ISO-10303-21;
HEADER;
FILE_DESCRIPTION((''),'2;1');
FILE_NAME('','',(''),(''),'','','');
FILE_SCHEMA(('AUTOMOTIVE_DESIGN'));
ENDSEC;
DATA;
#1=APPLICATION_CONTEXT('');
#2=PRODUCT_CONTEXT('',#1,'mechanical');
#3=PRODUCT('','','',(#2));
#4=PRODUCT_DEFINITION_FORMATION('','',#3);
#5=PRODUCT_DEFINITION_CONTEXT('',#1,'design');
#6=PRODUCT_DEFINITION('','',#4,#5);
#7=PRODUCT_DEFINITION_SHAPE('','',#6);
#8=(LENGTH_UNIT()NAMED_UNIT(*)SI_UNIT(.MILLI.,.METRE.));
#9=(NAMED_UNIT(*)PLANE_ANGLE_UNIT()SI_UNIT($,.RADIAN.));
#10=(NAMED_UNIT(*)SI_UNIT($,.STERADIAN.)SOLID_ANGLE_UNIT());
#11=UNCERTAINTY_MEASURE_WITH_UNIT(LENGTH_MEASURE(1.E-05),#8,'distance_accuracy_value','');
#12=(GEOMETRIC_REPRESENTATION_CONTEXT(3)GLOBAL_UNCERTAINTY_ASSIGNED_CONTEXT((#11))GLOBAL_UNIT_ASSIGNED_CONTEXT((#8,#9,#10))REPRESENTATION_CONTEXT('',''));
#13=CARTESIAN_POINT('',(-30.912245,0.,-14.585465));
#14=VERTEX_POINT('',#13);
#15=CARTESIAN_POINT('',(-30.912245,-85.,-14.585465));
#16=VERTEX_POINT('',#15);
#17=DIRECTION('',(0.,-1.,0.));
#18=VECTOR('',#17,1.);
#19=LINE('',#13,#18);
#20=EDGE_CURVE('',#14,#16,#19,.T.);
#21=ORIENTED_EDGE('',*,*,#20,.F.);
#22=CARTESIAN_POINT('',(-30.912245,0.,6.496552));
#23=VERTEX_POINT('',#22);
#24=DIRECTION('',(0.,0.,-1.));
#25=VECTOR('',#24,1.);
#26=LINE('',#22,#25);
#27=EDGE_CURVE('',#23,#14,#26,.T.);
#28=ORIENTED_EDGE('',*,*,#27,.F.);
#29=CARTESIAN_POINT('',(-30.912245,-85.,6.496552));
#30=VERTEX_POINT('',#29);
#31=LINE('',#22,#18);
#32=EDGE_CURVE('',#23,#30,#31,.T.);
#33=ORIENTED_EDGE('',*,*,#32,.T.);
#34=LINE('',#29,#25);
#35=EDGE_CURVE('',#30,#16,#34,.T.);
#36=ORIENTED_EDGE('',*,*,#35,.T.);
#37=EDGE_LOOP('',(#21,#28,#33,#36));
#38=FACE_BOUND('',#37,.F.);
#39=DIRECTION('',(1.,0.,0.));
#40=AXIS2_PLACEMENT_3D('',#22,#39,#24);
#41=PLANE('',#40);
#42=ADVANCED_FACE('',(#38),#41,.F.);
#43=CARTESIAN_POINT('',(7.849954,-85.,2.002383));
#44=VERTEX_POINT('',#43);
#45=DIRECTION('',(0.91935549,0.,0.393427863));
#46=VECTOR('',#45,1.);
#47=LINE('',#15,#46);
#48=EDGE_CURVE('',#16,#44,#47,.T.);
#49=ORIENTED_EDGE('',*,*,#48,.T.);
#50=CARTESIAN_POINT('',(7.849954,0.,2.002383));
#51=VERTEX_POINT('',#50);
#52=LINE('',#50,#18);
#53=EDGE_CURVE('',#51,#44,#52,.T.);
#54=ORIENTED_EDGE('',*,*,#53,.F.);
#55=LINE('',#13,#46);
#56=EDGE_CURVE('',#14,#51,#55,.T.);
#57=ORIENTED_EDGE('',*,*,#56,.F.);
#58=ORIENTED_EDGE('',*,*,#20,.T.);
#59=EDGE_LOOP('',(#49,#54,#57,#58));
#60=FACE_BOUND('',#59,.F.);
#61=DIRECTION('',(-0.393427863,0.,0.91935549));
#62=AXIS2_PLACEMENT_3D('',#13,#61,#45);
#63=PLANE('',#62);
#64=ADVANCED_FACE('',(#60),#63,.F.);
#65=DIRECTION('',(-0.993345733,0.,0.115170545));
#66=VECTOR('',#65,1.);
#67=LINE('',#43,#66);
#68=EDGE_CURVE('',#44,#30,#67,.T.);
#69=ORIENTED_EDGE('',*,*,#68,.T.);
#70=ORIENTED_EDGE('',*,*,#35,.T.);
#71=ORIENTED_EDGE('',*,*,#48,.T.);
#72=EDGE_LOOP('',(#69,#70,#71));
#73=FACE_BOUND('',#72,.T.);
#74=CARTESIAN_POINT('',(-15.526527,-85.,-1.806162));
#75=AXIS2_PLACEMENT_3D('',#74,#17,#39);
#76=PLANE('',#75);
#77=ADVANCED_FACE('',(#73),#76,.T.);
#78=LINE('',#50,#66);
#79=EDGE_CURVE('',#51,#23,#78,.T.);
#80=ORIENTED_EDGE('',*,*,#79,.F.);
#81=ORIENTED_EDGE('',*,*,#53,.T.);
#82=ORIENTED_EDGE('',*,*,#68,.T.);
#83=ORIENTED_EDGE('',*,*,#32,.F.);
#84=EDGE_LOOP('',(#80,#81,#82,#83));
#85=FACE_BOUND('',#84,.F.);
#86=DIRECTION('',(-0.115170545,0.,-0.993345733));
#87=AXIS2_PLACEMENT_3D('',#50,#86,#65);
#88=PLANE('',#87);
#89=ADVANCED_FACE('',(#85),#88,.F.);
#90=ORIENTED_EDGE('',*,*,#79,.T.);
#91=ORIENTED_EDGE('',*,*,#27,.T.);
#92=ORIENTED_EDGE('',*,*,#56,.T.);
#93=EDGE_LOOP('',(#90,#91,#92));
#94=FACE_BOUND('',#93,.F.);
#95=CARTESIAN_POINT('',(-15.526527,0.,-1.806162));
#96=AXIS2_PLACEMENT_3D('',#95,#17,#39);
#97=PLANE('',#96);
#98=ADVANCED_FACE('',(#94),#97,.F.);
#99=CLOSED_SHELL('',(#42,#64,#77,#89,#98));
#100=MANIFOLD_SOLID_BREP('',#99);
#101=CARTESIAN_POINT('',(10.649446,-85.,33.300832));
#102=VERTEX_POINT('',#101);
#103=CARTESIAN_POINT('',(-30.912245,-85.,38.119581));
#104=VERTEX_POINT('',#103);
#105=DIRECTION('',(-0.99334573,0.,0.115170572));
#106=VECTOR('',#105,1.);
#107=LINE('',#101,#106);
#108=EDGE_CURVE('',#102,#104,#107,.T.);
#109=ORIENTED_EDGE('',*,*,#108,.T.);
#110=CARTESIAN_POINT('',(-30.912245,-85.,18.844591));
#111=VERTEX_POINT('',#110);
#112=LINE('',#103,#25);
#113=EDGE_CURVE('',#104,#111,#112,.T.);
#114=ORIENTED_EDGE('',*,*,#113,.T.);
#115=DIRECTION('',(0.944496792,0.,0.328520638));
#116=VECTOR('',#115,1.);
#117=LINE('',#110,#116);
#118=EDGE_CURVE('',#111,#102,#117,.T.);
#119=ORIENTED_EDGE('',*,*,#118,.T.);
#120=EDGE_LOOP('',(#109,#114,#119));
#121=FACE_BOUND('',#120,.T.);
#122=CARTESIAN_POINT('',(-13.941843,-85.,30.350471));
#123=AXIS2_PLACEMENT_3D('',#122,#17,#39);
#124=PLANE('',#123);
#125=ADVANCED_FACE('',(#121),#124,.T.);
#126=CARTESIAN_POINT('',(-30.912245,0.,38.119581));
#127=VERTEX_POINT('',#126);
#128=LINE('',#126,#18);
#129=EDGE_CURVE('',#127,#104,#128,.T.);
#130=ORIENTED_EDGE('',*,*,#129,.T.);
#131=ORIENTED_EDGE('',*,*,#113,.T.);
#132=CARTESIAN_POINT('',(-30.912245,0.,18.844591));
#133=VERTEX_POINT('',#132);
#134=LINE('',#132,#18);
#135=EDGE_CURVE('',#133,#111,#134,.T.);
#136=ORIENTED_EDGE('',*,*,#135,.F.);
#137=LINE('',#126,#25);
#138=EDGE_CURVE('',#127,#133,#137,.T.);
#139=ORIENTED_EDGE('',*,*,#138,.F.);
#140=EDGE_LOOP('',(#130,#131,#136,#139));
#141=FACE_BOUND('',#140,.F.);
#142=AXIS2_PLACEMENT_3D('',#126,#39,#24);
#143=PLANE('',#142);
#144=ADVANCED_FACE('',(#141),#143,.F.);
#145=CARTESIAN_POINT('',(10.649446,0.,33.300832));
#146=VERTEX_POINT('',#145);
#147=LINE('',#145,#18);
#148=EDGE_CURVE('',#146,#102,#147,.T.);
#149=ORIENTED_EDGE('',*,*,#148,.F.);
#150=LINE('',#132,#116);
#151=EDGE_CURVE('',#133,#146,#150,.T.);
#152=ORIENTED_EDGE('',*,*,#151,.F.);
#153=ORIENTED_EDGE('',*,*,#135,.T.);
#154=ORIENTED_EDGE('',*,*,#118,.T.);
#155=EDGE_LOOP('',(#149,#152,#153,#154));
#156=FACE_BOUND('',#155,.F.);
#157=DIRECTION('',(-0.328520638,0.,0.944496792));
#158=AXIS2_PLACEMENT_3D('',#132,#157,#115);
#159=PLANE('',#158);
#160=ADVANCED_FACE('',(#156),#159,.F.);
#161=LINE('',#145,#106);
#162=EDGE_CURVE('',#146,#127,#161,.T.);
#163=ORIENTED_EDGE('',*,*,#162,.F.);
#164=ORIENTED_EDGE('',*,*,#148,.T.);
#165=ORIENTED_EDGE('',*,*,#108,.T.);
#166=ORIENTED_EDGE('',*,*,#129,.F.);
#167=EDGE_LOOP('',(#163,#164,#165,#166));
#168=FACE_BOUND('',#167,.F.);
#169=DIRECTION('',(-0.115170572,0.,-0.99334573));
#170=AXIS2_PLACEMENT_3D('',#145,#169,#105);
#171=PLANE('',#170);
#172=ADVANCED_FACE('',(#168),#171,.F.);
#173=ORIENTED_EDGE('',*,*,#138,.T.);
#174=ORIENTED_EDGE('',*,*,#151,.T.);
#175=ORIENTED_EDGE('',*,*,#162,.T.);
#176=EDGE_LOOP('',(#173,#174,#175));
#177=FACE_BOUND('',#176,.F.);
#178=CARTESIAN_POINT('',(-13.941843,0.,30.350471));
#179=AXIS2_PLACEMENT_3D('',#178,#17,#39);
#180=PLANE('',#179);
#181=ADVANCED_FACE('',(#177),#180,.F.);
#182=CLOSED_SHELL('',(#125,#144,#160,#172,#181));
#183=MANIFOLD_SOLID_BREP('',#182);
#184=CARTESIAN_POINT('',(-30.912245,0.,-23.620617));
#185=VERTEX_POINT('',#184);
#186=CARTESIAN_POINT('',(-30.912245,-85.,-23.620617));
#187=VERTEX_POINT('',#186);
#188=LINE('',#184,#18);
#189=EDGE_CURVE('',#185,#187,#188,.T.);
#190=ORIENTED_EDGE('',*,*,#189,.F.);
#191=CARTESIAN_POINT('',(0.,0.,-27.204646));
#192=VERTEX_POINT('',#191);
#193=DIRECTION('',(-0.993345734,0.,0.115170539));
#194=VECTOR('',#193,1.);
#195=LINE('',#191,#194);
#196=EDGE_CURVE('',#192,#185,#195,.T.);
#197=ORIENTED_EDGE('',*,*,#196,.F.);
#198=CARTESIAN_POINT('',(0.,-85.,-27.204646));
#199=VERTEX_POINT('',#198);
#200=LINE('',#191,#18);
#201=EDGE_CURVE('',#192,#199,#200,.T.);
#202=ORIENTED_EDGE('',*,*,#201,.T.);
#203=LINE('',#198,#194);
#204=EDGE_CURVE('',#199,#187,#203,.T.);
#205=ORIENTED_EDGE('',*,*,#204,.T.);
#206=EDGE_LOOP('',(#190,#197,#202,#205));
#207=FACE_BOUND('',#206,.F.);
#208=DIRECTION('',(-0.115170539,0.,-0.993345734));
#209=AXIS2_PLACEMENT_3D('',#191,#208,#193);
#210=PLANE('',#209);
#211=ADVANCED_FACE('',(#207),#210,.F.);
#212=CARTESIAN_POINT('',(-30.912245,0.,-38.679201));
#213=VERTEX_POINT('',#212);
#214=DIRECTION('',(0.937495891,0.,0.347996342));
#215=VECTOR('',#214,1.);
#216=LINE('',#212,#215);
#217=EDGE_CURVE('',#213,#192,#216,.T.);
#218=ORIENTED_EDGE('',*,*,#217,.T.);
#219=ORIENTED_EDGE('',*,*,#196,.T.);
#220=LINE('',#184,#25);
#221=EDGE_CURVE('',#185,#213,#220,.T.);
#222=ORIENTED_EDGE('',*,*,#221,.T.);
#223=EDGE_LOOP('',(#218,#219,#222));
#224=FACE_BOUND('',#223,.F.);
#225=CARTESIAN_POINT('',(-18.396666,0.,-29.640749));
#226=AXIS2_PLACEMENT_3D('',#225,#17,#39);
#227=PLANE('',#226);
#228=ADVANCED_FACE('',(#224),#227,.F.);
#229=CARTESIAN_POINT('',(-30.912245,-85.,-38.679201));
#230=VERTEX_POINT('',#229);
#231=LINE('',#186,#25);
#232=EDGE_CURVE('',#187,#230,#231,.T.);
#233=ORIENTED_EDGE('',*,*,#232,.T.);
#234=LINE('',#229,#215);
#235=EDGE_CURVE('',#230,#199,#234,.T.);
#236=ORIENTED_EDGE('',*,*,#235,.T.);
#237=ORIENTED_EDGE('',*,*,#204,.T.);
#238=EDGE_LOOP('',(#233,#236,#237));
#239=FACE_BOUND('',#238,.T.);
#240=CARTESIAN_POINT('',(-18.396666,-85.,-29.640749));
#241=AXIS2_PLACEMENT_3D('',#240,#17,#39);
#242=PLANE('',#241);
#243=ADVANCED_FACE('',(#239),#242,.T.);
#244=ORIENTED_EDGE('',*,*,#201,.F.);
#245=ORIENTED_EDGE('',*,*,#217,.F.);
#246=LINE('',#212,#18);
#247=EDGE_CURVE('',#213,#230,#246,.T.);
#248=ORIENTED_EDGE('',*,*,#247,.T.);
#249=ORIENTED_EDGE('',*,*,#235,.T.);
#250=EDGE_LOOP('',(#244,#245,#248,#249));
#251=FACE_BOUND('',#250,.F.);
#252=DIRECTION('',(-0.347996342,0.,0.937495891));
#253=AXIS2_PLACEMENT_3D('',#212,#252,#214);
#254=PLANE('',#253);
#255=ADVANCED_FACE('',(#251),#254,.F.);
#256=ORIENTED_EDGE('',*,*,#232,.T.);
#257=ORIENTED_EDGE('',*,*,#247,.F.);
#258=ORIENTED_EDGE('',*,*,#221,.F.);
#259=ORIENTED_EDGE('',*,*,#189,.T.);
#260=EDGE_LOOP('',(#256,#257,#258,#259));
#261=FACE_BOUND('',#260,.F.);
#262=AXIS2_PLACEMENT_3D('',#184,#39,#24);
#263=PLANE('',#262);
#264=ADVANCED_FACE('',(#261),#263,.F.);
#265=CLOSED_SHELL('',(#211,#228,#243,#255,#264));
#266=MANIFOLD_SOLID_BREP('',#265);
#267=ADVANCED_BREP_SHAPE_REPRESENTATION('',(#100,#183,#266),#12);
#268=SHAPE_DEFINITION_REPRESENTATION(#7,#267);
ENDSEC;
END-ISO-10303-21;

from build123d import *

# Parameters (mm, degrees)
F1_DEPTH = 85


with BuildPart() as f1:
    # F0 (on Front) → F1 (new body)
    with BuildSketch(Plane.XZ):
        Polygon((-30.912245, 38.119581), (-30.912245, 18.844591), (10.649446, 33.300832), align=None)
        Polygon((-30.912245, 6.496552), (-30.912245, -14.585465), (7.849954, 2.002383), align=None)
        Polygon((-30.912245, -23.620617), (-30.912245, -38.679201), (0, -27.204646), align=None)
    extrude(amount=F1_DEPTH)


solid = f1.part
